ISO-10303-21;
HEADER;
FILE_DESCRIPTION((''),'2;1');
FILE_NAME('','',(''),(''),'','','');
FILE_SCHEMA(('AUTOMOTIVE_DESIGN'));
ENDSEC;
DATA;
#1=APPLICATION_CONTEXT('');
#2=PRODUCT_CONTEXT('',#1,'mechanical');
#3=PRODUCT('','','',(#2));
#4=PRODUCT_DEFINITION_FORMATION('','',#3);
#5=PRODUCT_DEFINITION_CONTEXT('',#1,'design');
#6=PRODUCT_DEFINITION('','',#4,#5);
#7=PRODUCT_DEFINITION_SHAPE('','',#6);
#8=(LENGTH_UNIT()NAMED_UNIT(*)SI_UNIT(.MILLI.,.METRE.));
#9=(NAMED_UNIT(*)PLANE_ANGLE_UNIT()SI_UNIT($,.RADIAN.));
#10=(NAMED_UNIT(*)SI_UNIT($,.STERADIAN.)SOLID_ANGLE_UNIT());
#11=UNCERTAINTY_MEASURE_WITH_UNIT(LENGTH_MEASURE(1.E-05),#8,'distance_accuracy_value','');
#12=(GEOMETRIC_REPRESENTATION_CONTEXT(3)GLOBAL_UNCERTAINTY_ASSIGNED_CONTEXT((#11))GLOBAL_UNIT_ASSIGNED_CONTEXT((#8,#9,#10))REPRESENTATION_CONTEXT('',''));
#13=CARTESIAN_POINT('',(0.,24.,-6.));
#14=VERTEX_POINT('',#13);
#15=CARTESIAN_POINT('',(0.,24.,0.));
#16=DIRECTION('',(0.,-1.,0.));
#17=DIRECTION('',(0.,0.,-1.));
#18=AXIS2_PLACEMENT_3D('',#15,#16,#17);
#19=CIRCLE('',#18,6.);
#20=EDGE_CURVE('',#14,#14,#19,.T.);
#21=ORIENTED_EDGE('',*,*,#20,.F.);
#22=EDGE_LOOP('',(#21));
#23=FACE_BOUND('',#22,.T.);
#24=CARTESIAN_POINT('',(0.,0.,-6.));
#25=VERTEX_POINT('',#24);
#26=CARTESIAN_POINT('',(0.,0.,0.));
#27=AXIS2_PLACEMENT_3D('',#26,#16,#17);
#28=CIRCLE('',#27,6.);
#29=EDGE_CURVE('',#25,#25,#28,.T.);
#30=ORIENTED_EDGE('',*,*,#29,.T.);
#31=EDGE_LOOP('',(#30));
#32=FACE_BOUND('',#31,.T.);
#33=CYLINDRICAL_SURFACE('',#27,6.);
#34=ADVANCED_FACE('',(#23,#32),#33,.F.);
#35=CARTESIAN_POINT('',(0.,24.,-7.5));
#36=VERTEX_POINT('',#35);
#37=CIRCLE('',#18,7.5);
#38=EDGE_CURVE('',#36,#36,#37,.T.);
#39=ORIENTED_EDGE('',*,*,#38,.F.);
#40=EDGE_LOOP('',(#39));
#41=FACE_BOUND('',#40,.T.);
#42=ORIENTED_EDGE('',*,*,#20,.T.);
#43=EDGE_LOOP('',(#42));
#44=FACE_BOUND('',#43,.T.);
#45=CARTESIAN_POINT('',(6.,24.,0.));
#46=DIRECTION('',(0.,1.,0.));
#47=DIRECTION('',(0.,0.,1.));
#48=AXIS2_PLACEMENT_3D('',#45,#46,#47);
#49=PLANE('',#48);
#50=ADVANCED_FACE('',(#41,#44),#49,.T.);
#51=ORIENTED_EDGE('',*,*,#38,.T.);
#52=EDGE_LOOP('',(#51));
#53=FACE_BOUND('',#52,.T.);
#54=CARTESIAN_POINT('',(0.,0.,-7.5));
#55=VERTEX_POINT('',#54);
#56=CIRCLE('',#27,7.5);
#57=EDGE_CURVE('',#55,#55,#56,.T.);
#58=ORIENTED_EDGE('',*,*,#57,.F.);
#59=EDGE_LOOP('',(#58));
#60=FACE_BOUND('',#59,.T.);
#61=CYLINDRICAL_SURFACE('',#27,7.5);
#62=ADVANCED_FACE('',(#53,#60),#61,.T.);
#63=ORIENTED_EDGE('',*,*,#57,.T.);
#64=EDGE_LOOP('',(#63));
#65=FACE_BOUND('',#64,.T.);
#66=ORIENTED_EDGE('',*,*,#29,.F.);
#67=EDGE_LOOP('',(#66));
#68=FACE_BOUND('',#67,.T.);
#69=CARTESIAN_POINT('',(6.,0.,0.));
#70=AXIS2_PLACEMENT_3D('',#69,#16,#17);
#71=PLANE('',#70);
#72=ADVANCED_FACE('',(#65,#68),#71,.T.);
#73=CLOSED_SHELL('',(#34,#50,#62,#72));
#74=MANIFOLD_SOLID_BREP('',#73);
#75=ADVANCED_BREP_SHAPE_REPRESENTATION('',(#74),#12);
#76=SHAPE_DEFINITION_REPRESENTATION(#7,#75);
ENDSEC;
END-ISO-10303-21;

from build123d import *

# Parameters (mm, degrees)
SKETCH1_W = 1.5
SKETCH1_H = 24


with BuildPart() as part:
    # Sketch1 → Revolve1 (revolve)
    with BuildSketch(Plane.XY):
        with Locations((6.75, 12)):
            Rectangle(SKETCH1_W, SKETCH1_H)
    revolve(axis=Axis((0, 0, 0), (0, 1, 0)))


solid = part.part
